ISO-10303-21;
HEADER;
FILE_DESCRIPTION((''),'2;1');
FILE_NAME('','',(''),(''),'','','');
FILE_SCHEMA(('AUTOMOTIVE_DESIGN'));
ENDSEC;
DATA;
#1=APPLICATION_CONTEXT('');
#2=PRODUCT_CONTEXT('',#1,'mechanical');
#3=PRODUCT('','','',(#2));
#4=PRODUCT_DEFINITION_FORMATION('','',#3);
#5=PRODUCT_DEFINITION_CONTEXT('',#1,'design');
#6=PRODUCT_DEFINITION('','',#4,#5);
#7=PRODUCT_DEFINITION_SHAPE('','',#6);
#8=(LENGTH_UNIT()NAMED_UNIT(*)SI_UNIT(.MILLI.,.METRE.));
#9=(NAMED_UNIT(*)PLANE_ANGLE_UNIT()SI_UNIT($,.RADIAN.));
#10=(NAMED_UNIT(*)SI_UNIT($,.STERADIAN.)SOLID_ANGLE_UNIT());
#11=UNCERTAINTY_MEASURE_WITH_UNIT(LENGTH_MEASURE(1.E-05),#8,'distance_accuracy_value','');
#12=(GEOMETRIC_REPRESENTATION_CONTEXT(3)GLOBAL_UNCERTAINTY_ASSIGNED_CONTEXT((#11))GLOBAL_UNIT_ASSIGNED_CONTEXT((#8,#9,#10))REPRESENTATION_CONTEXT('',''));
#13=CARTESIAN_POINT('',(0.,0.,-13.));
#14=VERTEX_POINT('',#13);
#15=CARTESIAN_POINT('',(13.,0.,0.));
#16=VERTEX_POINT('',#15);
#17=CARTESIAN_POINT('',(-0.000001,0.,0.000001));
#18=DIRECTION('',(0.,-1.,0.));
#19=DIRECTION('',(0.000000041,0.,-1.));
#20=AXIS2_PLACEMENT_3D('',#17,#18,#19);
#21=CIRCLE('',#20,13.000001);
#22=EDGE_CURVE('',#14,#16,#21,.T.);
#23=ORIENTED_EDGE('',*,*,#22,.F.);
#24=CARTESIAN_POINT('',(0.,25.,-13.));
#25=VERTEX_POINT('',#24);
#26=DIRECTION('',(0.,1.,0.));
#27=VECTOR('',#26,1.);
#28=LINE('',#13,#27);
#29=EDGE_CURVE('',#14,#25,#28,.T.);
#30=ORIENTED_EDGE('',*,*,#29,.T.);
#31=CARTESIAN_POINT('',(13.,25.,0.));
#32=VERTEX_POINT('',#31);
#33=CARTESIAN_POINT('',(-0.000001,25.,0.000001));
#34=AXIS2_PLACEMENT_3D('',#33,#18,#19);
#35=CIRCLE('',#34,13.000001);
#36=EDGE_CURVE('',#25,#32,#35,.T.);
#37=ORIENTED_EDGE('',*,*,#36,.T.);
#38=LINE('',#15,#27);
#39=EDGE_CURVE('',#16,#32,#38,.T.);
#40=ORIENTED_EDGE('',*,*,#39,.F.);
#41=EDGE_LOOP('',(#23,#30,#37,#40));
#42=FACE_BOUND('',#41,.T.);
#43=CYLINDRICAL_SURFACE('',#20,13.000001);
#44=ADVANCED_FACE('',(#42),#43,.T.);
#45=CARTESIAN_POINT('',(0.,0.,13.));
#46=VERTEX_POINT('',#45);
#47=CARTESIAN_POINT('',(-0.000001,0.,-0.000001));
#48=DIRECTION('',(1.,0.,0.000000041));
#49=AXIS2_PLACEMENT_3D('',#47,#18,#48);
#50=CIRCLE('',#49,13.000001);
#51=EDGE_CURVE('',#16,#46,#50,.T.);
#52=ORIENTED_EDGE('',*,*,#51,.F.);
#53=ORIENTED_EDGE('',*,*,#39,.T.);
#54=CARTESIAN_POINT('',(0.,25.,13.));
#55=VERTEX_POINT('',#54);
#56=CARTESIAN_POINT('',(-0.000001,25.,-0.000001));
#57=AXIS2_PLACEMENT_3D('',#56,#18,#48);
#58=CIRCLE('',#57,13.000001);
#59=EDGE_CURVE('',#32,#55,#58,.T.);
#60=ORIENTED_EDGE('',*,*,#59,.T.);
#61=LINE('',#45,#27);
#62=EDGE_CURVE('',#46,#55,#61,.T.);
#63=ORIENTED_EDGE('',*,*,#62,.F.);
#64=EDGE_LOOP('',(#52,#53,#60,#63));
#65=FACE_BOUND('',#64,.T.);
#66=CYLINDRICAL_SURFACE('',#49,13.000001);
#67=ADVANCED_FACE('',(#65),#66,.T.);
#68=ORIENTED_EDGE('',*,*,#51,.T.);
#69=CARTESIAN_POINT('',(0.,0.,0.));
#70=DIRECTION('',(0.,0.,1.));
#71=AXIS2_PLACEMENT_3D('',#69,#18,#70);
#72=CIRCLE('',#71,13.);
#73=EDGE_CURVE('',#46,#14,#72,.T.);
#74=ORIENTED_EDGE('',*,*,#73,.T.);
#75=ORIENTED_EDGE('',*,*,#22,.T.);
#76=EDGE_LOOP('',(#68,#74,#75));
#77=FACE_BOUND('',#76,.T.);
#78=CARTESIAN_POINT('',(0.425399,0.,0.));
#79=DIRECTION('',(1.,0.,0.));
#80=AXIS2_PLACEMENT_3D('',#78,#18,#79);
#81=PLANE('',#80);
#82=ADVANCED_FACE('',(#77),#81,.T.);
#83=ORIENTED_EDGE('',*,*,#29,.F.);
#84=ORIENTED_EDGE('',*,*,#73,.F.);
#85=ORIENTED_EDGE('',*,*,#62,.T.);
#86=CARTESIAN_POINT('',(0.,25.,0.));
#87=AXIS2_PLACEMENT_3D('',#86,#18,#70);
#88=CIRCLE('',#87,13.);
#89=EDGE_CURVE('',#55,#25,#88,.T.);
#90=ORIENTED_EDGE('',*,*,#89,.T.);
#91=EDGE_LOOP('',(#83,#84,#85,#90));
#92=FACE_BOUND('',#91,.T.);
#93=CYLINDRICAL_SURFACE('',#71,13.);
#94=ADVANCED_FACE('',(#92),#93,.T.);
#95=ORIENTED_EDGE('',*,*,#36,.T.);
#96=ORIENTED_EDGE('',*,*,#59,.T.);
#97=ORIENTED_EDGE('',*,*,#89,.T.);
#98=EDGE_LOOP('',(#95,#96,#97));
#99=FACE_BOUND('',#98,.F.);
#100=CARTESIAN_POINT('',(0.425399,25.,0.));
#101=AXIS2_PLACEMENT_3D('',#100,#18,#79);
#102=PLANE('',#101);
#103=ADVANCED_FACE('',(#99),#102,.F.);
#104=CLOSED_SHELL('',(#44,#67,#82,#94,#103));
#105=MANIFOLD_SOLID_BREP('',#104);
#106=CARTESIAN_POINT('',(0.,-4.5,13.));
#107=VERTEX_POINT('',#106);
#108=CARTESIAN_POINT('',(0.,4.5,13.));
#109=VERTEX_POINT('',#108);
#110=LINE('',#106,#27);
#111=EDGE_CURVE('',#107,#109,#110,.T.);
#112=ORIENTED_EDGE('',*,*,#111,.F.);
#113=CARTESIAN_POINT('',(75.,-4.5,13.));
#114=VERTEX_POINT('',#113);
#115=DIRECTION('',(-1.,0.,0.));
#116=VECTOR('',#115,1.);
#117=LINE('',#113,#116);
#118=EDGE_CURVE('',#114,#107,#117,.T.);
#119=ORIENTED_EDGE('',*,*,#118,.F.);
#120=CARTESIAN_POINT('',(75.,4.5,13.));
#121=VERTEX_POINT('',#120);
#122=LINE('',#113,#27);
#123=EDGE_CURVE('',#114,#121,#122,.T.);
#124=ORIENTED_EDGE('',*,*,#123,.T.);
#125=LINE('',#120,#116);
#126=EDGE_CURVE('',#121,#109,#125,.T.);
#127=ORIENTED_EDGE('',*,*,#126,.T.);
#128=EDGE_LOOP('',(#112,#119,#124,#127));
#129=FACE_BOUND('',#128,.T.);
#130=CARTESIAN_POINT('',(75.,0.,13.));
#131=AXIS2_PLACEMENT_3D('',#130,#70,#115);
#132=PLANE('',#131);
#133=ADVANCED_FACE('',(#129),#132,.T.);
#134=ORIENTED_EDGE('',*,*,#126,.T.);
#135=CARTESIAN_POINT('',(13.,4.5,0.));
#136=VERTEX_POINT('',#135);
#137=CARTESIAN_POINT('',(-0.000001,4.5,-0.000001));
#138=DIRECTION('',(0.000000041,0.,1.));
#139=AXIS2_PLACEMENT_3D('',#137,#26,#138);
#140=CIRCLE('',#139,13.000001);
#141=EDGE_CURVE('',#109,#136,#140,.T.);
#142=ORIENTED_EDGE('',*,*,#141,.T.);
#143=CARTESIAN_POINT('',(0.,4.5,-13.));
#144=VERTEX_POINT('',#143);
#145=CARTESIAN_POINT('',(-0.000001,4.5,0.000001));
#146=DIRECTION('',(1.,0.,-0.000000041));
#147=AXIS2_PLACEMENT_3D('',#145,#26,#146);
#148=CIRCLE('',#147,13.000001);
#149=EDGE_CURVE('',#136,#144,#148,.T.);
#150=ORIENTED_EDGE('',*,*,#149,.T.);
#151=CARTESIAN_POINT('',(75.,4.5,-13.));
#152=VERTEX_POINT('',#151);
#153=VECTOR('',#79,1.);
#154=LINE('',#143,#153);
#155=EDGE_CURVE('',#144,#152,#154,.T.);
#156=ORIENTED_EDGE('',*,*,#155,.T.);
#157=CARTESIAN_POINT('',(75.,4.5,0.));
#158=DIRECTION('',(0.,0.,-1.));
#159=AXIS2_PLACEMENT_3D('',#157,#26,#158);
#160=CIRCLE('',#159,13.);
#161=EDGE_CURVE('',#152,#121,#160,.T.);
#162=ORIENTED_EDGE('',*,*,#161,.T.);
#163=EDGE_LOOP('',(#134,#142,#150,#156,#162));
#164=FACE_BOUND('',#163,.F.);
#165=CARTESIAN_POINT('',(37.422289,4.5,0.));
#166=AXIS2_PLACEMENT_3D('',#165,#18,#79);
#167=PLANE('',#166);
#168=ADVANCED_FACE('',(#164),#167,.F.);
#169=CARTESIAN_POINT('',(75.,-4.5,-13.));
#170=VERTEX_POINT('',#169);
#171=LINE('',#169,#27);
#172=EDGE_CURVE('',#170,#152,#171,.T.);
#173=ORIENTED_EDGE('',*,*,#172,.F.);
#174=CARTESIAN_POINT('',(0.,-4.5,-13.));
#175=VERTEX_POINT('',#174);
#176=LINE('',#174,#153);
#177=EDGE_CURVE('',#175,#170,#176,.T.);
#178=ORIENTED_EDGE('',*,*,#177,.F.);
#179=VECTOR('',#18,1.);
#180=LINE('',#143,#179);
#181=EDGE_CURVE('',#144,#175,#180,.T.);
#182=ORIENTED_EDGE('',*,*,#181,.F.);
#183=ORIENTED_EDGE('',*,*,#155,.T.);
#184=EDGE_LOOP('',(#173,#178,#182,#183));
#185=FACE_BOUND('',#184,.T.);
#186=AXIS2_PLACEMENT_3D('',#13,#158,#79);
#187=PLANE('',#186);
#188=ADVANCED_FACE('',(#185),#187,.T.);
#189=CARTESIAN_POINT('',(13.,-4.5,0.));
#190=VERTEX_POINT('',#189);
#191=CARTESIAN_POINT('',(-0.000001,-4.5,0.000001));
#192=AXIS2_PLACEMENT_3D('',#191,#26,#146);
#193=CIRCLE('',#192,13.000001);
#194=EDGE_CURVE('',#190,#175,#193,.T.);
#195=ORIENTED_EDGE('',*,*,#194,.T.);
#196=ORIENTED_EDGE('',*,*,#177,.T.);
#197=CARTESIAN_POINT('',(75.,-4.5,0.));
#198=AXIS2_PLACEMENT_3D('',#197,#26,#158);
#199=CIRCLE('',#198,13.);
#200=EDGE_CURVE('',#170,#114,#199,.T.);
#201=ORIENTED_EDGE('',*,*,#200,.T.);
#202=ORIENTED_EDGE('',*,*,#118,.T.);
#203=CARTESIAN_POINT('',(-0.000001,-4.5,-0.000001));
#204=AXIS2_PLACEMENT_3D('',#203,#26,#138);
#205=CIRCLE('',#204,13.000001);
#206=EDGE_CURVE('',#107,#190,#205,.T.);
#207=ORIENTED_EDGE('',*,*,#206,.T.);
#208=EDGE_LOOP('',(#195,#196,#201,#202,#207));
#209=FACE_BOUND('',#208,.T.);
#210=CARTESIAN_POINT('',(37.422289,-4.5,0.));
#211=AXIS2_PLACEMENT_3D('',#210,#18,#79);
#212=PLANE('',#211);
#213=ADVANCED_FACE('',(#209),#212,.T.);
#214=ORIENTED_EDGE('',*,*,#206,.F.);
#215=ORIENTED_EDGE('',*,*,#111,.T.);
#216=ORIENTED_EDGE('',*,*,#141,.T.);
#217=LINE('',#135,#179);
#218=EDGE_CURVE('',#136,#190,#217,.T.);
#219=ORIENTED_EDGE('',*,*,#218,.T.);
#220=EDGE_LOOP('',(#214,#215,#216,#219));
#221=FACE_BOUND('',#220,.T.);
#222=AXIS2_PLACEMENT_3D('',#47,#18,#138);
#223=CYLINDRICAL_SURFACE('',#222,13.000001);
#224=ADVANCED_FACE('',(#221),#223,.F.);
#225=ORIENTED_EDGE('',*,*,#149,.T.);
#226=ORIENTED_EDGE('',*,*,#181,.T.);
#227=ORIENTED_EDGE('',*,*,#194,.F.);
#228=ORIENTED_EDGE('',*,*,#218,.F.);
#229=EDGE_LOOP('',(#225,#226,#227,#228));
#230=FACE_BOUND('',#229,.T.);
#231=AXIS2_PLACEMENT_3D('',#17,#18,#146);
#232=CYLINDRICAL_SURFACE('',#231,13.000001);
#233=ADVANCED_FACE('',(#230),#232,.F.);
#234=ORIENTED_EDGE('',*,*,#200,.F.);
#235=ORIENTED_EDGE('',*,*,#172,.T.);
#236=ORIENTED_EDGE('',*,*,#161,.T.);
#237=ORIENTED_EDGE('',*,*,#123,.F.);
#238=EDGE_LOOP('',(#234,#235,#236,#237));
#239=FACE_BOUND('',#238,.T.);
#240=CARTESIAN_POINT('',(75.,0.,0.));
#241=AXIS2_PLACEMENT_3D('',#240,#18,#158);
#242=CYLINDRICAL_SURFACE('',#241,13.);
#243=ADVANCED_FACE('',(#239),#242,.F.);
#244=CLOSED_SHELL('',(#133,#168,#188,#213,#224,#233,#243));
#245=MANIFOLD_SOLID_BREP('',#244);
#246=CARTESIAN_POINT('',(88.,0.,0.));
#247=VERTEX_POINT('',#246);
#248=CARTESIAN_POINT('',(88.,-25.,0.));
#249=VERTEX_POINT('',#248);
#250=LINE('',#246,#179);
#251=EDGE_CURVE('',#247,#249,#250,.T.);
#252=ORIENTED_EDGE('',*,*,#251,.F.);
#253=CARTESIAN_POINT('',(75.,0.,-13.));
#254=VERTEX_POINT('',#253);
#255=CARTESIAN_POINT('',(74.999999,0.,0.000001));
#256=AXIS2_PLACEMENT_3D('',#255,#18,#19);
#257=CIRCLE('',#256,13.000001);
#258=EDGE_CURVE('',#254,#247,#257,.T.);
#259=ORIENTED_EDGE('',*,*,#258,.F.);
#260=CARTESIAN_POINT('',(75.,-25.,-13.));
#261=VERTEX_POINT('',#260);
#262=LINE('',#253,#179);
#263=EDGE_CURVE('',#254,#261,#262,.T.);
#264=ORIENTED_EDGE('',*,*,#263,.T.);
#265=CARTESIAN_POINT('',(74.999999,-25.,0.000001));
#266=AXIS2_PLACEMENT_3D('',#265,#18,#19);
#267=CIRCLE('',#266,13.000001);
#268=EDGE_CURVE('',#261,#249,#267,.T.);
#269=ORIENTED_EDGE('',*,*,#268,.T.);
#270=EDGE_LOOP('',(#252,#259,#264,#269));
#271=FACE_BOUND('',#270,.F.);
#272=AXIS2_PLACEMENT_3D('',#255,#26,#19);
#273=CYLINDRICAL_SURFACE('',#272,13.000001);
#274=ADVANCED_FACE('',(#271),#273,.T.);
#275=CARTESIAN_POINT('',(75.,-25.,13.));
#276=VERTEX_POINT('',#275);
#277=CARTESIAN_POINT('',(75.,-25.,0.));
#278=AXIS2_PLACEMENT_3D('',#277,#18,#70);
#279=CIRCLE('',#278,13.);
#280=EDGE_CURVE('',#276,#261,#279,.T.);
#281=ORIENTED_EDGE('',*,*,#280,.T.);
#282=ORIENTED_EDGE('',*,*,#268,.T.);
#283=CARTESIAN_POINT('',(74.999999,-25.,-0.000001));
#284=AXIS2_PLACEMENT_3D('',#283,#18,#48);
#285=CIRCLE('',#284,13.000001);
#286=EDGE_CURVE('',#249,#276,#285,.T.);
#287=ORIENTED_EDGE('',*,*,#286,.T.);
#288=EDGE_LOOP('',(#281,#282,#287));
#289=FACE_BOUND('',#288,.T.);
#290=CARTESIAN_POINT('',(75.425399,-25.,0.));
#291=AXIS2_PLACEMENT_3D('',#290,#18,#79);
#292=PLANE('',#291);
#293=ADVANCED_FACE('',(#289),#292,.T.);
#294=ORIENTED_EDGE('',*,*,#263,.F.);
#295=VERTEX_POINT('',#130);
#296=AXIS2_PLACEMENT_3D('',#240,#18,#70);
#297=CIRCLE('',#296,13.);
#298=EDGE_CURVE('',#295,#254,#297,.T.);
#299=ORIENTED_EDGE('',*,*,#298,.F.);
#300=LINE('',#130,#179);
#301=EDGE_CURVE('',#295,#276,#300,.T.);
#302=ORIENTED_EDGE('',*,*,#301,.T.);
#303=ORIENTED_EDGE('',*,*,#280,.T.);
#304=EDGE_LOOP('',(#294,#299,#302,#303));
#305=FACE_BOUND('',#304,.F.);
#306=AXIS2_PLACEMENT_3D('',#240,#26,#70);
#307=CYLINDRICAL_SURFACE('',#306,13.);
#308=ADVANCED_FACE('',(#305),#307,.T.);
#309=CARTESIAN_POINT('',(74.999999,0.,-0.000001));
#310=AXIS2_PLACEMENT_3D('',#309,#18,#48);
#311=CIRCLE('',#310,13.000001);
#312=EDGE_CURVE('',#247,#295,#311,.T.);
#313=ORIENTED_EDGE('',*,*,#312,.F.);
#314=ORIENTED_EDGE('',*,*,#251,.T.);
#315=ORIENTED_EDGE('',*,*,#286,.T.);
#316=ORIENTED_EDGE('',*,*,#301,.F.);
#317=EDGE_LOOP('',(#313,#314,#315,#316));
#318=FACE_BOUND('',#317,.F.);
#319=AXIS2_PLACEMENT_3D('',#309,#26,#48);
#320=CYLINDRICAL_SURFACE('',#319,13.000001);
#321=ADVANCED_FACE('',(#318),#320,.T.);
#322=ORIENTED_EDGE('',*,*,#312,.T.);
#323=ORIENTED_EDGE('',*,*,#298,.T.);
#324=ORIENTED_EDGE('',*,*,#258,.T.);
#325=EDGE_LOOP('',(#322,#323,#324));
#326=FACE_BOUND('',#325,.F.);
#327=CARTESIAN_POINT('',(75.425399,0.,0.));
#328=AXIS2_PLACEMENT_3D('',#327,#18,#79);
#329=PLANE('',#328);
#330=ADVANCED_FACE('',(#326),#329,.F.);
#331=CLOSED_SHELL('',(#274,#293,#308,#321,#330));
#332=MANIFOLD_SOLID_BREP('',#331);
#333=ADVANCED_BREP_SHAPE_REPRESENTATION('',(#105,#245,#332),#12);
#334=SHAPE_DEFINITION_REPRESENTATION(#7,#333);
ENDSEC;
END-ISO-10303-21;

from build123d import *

# Parameters (mm, degrees)
F1_DEPTH = 25
F2_DEPTH = 25
F3_DEPTH = 4.5


with BuildPart() as f1:
    # F0 (on Front) → F1 (new body)
    with BuildSketch(Plane.XZ):
        with BuildLine():
            ThreePointArc((0, -13), (9.192388, -9.192388), (13, 0))
            ThreePointArc((13, 0), (9.192388, 9.192388), (0, 13))
            ThreePointArc((0, 13), (-13, 0), (0, -13))
        make_face()
    extrude(amount=-F1_DEPTH)


with BuildPart() as f2:
    # F0 (on Front) → F2 (new body)
    with BuildSketch(Plane.XZ):
        with BuildLine():
            ThreePointArc((88, 0), (84.192388, 9.192388), (75, 13))
            ThreePointArc((75, 13), (62, 0), (75, -13))
            ThreePointArc((75, -13), (84.192388, -9.192388), (88, 0))
        make_face()
    extrude(amount=F2_DEPTH)


with BuildPart() as f3:
    # F0 (on Front) → F3 (new body, symmetric)
    with BuildSketch(Plane.XZ):
        with BuildLine():
            ThreePointArc((0, 13), (9.192388, 9.192388), (13, 0))
            ThreePointArc((13, 0), (9.192388, -9.192388), (0, -13))
            Line((0, -13), (75, -13))
            ThreePointArc((75, -13), (62, 0), (75, 13))
            Line((75, 13), (0, 13))
        make_face()
    extrude(amount=F3_DEPTH, both=True)


solid = Compound([f1.part, f2.part, f3.part])
